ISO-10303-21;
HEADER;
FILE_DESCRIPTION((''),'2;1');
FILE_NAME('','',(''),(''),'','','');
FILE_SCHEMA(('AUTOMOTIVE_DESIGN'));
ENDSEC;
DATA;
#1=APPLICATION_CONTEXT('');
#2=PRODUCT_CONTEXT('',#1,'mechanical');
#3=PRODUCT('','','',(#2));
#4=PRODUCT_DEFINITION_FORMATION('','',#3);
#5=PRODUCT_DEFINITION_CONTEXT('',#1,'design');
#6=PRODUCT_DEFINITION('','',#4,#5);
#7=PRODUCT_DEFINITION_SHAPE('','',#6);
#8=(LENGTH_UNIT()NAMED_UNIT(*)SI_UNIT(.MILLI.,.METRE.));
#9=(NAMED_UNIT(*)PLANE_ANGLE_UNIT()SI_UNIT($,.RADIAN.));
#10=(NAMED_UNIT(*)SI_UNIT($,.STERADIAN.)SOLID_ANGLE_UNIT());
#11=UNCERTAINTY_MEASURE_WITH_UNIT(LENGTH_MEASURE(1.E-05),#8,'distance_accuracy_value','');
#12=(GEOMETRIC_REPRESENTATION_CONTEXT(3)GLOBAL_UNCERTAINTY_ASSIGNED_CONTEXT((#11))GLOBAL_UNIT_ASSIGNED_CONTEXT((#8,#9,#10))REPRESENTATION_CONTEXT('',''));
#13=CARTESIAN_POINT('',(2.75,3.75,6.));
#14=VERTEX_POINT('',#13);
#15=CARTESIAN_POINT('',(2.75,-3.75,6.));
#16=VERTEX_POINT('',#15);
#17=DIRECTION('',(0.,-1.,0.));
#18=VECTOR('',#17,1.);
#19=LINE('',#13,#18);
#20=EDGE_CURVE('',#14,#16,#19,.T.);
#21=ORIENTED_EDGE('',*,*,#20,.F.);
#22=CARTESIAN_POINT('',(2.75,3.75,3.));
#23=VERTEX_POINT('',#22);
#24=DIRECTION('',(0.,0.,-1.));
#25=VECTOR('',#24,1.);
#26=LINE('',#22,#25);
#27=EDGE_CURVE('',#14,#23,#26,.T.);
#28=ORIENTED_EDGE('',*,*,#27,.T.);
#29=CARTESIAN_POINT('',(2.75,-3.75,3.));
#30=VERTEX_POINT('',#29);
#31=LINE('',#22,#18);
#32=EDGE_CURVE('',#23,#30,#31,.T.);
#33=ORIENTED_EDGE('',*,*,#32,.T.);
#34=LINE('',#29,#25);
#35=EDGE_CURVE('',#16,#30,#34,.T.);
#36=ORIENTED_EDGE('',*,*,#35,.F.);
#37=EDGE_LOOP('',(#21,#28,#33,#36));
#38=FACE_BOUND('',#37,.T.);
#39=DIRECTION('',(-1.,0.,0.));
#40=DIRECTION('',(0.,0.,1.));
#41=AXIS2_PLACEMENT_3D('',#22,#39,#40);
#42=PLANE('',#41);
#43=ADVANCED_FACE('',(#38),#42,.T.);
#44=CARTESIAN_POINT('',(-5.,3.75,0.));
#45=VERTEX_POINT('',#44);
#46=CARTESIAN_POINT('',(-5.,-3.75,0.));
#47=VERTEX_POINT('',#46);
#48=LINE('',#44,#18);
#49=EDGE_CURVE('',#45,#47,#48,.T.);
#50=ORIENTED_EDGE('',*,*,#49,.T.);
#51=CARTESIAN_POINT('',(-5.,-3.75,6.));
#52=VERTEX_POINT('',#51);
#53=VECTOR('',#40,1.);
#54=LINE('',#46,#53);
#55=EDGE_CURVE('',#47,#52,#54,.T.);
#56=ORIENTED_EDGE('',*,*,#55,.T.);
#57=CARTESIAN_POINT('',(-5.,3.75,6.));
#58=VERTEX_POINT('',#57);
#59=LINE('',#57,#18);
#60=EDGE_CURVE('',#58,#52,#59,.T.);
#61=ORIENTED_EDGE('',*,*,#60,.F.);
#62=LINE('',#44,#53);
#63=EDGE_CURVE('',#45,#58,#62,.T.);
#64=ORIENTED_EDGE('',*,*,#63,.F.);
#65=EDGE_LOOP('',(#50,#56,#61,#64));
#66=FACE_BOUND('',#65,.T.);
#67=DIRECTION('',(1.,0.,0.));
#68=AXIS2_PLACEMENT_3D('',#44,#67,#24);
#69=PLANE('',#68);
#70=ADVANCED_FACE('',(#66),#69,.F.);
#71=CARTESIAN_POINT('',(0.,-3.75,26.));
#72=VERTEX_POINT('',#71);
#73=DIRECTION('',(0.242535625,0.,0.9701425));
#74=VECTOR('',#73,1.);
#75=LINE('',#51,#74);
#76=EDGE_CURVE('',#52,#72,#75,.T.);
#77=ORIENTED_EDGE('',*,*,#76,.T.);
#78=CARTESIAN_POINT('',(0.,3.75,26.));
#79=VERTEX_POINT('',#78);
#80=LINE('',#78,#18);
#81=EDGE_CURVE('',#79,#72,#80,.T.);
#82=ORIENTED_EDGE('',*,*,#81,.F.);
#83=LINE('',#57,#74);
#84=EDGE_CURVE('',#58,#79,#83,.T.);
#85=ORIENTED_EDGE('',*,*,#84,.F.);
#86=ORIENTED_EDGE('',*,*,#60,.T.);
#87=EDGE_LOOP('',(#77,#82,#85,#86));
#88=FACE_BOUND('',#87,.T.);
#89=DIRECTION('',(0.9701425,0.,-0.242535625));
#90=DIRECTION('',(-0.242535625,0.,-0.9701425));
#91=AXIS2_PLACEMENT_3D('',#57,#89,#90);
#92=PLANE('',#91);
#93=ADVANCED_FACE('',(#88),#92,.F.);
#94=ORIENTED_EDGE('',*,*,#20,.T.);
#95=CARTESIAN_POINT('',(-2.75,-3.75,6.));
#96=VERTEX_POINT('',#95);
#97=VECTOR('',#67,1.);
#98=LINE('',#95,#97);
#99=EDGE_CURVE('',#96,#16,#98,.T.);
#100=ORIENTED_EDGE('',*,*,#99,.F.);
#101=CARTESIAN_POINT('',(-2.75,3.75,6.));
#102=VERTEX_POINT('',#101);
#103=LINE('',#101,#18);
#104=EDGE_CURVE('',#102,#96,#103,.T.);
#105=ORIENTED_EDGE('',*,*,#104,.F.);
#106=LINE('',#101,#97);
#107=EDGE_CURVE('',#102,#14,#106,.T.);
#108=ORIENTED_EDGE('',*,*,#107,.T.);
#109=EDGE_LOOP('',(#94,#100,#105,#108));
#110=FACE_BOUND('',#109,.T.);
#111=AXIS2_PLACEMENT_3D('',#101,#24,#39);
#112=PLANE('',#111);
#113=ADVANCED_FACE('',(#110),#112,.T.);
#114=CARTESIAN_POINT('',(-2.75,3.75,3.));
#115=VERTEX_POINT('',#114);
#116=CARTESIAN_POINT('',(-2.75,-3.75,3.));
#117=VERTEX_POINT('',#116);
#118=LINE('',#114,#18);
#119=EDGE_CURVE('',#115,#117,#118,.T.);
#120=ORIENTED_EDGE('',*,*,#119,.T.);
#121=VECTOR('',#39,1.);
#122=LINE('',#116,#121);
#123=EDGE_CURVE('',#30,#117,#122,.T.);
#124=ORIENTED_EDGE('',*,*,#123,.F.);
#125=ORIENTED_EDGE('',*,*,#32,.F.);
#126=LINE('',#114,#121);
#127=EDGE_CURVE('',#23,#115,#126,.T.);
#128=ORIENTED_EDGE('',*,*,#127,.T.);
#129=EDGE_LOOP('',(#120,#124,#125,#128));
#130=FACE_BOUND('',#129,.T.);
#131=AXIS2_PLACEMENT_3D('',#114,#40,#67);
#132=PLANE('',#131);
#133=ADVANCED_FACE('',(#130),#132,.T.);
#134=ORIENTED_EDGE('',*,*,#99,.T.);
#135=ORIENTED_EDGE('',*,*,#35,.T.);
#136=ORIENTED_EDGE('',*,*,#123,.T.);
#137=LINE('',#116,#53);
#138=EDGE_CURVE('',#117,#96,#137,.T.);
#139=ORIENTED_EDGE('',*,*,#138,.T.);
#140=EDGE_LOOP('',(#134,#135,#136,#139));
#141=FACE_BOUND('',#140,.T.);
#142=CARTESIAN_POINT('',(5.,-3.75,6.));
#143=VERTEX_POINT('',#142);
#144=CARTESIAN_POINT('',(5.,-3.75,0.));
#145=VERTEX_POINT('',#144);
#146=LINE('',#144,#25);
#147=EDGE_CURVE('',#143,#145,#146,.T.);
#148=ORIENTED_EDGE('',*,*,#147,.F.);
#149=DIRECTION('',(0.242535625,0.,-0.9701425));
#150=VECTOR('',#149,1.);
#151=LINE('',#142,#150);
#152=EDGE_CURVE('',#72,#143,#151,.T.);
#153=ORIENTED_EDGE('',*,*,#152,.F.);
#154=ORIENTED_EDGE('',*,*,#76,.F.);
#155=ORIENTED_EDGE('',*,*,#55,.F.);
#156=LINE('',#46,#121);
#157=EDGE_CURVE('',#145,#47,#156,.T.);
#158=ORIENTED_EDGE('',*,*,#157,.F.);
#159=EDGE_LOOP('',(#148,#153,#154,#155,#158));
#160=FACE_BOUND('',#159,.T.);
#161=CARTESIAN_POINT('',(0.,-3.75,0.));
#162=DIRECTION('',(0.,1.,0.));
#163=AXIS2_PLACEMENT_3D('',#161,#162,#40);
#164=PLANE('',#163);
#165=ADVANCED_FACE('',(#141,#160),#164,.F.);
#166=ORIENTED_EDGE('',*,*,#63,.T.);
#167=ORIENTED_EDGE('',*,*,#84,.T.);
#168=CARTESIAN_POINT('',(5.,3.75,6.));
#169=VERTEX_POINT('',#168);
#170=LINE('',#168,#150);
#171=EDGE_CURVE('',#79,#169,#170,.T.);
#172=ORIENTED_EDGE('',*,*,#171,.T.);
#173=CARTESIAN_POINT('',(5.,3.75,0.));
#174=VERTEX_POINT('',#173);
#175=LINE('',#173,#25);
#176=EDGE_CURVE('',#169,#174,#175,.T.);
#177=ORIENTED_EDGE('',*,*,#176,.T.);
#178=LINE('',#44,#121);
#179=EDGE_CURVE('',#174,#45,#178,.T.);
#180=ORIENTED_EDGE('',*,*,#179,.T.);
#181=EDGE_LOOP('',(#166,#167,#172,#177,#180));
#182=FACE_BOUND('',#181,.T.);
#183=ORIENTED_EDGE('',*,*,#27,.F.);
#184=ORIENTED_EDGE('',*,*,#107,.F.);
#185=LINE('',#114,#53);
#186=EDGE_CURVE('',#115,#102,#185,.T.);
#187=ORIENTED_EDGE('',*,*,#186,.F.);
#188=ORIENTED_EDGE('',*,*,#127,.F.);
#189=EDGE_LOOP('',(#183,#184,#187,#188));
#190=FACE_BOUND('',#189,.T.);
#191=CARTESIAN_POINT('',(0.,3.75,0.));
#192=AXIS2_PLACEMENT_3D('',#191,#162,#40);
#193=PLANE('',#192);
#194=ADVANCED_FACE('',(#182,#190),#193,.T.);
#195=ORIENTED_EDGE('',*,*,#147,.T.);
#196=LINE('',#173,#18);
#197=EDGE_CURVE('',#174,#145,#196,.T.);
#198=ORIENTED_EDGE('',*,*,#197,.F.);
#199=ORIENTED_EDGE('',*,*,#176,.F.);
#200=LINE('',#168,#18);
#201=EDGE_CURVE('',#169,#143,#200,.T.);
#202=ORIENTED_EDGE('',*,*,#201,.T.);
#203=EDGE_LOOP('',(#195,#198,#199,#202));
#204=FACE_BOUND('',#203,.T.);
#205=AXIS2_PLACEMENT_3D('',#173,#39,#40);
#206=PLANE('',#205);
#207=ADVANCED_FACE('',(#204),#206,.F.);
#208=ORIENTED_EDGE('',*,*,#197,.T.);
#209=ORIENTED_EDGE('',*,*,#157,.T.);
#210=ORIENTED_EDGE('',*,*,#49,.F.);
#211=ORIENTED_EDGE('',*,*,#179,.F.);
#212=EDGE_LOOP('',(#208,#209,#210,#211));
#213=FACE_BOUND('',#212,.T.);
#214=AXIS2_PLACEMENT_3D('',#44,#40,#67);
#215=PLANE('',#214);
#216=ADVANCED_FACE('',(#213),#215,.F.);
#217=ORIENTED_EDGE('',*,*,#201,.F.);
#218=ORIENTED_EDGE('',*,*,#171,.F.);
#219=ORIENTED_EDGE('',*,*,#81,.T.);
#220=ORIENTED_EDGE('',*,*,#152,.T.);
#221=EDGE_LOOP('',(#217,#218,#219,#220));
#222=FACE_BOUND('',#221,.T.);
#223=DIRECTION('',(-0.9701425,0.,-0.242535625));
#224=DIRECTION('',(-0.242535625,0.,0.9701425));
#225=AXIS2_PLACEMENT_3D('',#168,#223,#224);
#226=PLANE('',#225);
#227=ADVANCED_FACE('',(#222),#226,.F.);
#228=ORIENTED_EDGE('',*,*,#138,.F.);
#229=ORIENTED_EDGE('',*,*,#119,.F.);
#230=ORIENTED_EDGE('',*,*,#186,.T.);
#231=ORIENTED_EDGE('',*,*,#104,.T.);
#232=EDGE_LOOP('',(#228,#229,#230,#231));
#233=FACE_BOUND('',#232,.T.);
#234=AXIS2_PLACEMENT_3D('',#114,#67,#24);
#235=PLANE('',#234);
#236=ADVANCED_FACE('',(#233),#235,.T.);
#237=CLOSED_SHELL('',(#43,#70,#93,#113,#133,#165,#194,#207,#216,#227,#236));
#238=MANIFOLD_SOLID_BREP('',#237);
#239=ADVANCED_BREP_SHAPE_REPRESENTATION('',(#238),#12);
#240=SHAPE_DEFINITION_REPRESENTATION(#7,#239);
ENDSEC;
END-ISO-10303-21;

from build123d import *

# Parameters (mm, degrees)
SKETCH2_W  = 5.5
SKETCH2_H  = 3
BODY_DEPTH = 3.75


with BuildPart() as part:
    # Sketch2 → Body (new, symmetric)
    with BuildSketch(Plane(origin=(0, 0, 0), x_dir=(1, 0, 0), z_dir=(0, 1, 0))):
        Polygon((-5, -6), (0, -26), (5, -6), (5, 0), (-5, 0), align=None)
        with Locations((0, -4.5)):
            Rectangle(SKETCH2_W, SKETCH2_H, mode=Mode.SUBTRACT)
    extrude(amount=BODY_DEPTH, both=True)


solid = part.part
